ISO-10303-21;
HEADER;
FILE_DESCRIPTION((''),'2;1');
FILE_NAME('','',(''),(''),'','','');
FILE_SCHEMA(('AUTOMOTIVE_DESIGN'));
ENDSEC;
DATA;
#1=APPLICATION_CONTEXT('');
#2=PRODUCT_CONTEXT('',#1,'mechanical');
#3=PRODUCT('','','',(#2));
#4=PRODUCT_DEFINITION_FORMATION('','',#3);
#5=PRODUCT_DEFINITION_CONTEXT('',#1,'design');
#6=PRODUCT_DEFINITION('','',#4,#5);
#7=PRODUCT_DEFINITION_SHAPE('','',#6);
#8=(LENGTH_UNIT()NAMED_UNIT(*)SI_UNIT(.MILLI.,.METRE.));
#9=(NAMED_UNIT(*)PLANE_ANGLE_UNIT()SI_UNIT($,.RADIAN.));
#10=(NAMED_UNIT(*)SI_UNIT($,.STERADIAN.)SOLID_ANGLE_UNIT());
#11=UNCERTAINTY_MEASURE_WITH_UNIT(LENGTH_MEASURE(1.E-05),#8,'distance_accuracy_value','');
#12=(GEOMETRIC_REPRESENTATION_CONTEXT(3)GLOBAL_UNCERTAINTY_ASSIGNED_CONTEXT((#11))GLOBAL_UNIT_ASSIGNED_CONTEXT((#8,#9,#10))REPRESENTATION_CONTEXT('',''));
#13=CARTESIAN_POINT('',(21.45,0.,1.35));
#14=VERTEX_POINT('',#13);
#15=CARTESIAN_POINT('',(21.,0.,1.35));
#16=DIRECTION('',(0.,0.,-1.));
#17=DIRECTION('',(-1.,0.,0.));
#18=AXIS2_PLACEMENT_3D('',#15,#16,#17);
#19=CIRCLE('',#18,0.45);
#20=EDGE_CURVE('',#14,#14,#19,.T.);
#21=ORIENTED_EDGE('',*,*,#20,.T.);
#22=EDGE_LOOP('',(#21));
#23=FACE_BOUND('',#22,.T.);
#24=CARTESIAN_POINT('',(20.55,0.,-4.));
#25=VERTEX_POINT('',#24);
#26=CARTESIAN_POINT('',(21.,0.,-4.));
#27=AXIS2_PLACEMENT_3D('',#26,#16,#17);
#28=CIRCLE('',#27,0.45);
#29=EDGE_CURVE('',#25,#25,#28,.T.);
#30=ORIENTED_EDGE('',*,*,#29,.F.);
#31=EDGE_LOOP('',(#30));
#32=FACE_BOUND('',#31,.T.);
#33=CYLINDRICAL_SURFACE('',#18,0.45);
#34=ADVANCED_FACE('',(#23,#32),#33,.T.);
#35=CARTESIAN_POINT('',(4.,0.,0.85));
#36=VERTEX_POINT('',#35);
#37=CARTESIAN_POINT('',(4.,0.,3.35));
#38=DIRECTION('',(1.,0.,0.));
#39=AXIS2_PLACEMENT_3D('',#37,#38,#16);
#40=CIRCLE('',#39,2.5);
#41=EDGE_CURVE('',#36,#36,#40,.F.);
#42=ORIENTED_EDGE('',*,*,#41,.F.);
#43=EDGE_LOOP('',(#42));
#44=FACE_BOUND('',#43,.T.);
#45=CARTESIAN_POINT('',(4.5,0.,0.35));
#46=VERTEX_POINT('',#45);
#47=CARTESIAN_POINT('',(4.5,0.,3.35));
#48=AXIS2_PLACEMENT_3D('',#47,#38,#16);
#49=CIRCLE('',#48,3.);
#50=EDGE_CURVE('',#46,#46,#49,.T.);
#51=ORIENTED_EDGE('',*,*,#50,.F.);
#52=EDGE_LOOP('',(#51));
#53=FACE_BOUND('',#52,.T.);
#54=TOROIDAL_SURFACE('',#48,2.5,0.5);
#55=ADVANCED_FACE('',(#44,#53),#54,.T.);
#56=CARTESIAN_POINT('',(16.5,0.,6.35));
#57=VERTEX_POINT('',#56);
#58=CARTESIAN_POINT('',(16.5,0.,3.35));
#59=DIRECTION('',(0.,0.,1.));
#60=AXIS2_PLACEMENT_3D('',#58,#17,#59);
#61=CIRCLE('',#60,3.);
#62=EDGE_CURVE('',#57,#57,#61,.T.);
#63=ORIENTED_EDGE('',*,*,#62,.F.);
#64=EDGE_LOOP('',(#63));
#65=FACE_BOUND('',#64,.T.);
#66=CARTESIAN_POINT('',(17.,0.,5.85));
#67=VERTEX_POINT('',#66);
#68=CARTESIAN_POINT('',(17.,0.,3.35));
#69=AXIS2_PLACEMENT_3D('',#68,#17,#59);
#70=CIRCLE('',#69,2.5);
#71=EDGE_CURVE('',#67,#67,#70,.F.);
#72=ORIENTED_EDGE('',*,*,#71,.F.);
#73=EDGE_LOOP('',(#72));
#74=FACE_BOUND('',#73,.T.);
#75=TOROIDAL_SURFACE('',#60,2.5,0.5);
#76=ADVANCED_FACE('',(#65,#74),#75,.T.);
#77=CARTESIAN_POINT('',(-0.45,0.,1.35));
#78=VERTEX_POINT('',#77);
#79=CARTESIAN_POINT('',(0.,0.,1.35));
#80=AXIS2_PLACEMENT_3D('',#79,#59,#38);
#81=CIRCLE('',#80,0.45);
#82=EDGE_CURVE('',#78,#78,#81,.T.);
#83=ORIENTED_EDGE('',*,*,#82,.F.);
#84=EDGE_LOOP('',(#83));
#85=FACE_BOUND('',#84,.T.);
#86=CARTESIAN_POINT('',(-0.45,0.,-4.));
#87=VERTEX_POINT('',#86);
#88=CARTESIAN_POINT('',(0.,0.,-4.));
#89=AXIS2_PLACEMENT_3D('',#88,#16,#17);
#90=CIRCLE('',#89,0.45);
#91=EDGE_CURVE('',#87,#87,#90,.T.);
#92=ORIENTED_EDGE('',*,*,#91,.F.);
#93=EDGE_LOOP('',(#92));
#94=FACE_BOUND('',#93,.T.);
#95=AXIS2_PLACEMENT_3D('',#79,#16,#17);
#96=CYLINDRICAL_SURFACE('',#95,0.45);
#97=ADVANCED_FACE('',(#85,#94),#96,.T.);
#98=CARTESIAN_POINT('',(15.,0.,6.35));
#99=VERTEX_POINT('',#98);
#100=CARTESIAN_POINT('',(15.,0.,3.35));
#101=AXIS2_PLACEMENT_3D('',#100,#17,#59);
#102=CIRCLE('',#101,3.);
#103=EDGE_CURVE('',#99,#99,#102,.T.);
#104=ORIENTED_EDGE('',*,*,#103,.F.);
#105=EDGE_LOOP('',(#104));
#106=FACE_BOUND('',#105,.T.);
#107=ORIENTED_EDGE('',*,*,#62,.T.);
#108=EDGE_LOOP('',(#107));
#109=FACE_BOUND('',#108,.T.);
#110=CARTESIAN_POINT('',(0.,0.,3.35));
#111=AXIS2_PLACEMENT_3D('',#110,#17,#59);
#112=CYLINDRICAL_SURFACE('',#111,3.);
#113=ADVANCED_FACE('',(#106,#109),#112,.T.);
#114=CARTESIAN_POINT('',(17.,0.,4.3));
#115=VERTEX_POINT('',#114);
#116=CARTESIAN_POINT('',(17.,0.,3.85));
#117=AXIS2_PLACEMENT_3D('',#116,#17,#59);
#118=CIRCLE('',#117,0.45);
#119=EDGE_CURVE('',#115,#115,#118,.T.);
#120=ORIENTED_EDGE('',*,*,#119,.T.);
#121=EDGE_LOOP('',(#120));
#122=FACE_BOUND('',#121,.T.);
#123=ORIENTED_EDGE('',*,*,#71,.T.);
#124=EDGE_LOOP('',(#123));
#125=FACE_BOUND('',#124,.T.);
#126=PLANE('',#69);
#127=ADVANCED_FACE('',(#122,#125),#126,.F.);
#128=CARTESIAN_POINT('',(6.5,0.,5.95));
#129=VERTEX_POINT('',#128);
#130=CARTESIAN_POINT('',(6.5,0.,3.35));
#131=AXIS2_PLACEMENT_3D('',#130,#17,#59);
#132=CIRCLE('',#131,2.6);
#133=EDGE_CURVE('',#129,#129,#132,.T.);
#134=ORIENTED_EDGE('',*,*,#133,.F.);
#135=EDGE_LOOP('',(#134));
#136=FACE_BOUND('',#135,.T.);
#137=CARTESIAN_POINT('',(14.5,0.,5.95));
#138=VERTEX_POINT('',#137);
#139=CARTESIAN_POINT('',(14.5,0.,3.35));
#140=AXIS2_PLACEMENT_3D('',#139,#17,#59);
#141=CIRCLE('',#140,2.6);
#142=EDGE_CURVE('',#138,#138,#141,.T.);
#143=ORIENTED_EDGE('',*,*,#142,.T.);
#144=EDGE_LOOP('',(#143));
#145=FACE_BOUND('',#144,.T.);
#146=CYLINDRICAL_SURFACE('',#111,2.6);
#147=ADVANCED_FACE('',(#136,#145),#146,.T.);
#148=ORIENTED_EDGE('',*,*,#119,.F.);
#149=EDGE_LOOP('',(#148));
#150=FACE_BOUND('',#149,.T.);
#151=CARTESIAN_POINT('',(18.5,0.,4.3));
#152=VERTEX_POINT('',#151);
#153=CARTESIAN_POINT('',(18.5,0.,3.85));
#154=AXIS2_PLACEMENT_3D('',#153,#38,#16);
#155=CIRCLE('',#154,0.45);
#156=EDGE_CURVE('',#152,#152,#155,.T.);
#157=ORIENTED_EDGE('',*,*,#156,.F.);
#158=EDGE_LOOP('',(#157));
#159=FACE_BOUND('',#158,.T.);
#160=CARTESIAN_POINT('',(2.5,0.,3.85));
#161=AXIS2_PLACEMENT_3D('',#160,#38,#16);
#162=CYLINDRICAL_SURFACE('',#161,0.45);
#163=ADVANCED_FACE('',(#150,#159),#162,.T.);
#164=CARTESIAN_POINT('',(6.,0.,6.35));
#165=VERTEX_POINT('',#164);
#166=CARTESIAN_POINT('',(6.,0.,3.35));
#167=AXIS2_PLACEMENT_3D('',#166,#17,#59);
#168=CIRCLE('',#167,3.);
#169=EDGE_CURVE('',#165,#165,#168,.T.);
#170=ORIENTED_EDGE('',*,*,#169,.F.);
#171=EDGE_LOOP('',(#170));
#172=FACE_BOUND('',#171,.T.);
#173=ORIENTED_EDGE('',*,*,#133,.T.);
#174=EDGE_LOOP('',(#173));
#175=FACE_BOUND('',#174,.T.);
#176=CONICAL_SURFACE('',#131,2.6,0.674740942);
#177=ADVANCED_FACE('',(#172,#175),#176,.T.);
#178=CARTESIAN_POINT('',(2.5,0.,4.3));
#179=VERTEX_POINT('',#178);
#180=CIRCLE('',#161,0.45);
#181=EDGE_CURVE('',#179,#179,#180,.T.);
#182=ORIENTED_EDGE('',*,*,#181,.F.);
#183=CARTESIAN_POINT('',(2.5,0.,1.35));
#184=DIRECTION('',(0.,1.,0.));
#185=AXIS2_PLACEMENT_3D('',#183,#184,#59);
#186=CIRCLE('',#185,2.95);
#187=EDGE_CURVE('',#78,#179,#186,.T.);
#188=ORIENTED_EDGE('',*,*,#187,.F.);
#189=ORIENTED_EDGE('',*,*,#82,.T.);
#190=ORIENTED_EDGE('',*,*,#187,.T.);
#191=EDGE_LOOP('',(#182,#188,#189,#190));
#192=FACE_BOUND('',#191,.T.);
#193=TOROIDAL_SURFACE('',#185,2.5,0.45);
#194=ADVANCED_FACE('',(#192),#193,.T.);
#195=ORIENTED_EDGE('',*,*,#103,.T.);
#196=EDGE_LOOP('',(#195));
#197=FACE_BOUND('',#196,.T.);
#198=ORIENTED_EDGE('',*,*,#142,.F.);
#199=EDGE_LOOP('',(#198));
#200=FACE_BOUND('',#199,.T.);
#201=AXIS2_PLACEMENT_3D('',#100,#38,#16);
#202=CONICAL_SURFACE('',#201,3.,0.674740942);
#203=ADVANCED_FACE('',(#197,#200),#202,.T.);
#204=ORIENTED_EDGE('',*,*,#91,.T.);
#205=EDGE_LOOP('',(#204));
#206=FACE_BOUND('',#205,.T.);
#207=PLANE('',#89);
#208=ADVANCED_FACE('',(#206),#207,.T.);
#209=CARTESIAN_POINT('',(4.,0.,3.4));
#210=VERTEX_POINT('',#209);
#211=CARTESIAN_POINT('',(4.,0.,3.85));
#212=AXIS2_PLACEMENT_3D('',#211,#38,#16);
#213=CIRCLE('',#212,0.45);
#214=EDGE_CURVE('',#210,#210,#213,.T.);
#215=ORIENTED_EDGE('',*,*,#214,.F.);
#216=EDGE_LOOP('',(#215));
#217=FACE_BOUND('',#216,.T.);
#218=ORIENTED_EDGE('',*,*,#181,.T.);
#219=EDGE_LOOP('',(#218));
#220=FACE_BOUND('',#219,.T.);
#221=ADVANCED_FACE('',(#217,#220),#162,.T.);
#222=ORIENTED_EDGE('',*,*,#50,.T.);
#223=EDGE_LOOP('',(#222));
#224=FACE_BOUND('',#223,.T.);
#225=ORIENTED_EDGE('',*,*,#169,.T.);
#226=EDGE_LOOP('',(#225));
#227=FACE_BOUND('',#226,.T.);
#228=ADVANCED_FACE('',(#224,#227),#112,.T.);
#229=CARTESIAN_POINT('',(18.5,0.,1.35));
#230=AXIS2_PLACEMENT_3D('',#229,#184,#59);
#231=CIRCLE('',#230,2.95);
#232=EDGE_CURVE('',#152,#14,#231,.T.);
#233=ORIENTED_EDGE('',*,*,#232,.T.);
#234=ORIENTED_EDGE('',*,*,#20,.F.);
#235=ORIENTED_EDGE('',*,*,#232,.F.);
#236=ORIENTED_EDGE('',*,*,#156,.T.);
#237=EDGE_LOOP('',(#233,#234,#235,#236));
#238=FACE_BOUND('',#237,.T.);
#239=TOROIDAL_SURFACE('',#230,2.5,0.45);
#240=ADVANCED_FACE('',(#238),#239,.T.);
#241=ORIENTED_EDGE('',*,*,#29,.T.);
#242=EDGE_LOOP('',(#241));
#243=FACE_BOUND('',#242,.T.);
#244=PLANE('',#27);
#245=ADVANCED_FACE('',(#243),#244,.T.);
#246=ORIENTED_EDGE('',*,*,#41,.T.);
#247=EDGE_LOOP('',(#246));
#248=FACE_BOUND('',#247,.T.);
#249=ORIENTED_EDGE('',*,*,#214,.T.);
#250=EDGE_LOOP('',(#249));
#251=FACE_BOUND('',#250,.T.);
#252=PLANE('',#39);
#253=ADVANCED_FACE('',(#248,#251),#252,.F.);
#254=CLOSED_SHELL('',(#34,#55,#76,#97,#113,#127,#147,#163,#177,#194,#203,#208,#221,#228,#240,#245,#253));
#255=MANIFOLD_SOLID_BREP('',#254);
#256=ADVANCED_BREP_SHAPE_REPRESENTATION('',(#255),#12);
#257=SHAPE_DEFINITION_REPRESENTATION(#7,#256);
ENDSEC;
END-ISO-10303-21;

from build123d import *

# Parameters (mm, degrees)
SKETCH_1_R      = 0.45
FILLET_1_R      = 0.5
SKETCH_4_R      = 0.45
EXTRUDE_1_DEPTH = 4


with BuildPart() as part:
    # Эскиз2 → Повернуть1 (revolve)
    with BuildSketch(Plane.XY.offset(3.35), mode=Mode.PRIVATE) as revolve_1_sk:
        Polygon((4, 0), (17, 0), (17, 3), (15, 3), (14.5, 2.6), (6.5, 2.6), (6, 3), (4, 3), align=None)
    revolve(revolve_1_sk.sketch.rotate(Axis((0, 0, 3.35), (1, 0, 0)), 90), axis=Axis((0, 0, 3.35), (1, 0, 0)))

    # По траектории1: sweep along a path in Эскиз3
    with BuildLine(Plane(origin=(0, 0, 0), x_dir=(1, 0, 0), z_dir=(0, 1, 0))) as sweep_1_path:
        Line((20.5, 0), (20.5, -1.35))
        ThreePointArc((20.5, -1.35), (19.914213562, -2.764213562), (18.5, -3.35))
        Line((18.5, -3.35), (2.5, -3.35))
        ThreePointArc((2.5, -3.35), (1.085786438, -2.764213562), (0.5, -1.35))
        Line((0.5, -1.35), (0.5, 0))
    # Эскиз1 → По траектории1 (sweep)
    with BuildSketch(Plane.XY):
        Circle(SKETCH_1_R)
    sweep(path=sweep_1_path.line)

    # Скругление1
    fillet_1_edges = [part.edges().sort_by_distance(p)[0] for p in [
        (17, 0, 0.35),
        (4, 0, 0.35),
    ]]
    fillet(fillet_1_edges, radius=FILLET_1_R)

    # Эскиз4 → Вытянуть1 (add)
    with BuildSketch(Plane(origin=(0, 0, 0), x_dir=(-1, 0, 0), z_dir=(0, 0, -1))):
        Circle(SKETCH_4_R)
        with Locations((-21, 0)):
            Circle(SKETCH_4_R)
    extrude(amount=EXTRUDE_1_DEPTH)


solid = part.part
